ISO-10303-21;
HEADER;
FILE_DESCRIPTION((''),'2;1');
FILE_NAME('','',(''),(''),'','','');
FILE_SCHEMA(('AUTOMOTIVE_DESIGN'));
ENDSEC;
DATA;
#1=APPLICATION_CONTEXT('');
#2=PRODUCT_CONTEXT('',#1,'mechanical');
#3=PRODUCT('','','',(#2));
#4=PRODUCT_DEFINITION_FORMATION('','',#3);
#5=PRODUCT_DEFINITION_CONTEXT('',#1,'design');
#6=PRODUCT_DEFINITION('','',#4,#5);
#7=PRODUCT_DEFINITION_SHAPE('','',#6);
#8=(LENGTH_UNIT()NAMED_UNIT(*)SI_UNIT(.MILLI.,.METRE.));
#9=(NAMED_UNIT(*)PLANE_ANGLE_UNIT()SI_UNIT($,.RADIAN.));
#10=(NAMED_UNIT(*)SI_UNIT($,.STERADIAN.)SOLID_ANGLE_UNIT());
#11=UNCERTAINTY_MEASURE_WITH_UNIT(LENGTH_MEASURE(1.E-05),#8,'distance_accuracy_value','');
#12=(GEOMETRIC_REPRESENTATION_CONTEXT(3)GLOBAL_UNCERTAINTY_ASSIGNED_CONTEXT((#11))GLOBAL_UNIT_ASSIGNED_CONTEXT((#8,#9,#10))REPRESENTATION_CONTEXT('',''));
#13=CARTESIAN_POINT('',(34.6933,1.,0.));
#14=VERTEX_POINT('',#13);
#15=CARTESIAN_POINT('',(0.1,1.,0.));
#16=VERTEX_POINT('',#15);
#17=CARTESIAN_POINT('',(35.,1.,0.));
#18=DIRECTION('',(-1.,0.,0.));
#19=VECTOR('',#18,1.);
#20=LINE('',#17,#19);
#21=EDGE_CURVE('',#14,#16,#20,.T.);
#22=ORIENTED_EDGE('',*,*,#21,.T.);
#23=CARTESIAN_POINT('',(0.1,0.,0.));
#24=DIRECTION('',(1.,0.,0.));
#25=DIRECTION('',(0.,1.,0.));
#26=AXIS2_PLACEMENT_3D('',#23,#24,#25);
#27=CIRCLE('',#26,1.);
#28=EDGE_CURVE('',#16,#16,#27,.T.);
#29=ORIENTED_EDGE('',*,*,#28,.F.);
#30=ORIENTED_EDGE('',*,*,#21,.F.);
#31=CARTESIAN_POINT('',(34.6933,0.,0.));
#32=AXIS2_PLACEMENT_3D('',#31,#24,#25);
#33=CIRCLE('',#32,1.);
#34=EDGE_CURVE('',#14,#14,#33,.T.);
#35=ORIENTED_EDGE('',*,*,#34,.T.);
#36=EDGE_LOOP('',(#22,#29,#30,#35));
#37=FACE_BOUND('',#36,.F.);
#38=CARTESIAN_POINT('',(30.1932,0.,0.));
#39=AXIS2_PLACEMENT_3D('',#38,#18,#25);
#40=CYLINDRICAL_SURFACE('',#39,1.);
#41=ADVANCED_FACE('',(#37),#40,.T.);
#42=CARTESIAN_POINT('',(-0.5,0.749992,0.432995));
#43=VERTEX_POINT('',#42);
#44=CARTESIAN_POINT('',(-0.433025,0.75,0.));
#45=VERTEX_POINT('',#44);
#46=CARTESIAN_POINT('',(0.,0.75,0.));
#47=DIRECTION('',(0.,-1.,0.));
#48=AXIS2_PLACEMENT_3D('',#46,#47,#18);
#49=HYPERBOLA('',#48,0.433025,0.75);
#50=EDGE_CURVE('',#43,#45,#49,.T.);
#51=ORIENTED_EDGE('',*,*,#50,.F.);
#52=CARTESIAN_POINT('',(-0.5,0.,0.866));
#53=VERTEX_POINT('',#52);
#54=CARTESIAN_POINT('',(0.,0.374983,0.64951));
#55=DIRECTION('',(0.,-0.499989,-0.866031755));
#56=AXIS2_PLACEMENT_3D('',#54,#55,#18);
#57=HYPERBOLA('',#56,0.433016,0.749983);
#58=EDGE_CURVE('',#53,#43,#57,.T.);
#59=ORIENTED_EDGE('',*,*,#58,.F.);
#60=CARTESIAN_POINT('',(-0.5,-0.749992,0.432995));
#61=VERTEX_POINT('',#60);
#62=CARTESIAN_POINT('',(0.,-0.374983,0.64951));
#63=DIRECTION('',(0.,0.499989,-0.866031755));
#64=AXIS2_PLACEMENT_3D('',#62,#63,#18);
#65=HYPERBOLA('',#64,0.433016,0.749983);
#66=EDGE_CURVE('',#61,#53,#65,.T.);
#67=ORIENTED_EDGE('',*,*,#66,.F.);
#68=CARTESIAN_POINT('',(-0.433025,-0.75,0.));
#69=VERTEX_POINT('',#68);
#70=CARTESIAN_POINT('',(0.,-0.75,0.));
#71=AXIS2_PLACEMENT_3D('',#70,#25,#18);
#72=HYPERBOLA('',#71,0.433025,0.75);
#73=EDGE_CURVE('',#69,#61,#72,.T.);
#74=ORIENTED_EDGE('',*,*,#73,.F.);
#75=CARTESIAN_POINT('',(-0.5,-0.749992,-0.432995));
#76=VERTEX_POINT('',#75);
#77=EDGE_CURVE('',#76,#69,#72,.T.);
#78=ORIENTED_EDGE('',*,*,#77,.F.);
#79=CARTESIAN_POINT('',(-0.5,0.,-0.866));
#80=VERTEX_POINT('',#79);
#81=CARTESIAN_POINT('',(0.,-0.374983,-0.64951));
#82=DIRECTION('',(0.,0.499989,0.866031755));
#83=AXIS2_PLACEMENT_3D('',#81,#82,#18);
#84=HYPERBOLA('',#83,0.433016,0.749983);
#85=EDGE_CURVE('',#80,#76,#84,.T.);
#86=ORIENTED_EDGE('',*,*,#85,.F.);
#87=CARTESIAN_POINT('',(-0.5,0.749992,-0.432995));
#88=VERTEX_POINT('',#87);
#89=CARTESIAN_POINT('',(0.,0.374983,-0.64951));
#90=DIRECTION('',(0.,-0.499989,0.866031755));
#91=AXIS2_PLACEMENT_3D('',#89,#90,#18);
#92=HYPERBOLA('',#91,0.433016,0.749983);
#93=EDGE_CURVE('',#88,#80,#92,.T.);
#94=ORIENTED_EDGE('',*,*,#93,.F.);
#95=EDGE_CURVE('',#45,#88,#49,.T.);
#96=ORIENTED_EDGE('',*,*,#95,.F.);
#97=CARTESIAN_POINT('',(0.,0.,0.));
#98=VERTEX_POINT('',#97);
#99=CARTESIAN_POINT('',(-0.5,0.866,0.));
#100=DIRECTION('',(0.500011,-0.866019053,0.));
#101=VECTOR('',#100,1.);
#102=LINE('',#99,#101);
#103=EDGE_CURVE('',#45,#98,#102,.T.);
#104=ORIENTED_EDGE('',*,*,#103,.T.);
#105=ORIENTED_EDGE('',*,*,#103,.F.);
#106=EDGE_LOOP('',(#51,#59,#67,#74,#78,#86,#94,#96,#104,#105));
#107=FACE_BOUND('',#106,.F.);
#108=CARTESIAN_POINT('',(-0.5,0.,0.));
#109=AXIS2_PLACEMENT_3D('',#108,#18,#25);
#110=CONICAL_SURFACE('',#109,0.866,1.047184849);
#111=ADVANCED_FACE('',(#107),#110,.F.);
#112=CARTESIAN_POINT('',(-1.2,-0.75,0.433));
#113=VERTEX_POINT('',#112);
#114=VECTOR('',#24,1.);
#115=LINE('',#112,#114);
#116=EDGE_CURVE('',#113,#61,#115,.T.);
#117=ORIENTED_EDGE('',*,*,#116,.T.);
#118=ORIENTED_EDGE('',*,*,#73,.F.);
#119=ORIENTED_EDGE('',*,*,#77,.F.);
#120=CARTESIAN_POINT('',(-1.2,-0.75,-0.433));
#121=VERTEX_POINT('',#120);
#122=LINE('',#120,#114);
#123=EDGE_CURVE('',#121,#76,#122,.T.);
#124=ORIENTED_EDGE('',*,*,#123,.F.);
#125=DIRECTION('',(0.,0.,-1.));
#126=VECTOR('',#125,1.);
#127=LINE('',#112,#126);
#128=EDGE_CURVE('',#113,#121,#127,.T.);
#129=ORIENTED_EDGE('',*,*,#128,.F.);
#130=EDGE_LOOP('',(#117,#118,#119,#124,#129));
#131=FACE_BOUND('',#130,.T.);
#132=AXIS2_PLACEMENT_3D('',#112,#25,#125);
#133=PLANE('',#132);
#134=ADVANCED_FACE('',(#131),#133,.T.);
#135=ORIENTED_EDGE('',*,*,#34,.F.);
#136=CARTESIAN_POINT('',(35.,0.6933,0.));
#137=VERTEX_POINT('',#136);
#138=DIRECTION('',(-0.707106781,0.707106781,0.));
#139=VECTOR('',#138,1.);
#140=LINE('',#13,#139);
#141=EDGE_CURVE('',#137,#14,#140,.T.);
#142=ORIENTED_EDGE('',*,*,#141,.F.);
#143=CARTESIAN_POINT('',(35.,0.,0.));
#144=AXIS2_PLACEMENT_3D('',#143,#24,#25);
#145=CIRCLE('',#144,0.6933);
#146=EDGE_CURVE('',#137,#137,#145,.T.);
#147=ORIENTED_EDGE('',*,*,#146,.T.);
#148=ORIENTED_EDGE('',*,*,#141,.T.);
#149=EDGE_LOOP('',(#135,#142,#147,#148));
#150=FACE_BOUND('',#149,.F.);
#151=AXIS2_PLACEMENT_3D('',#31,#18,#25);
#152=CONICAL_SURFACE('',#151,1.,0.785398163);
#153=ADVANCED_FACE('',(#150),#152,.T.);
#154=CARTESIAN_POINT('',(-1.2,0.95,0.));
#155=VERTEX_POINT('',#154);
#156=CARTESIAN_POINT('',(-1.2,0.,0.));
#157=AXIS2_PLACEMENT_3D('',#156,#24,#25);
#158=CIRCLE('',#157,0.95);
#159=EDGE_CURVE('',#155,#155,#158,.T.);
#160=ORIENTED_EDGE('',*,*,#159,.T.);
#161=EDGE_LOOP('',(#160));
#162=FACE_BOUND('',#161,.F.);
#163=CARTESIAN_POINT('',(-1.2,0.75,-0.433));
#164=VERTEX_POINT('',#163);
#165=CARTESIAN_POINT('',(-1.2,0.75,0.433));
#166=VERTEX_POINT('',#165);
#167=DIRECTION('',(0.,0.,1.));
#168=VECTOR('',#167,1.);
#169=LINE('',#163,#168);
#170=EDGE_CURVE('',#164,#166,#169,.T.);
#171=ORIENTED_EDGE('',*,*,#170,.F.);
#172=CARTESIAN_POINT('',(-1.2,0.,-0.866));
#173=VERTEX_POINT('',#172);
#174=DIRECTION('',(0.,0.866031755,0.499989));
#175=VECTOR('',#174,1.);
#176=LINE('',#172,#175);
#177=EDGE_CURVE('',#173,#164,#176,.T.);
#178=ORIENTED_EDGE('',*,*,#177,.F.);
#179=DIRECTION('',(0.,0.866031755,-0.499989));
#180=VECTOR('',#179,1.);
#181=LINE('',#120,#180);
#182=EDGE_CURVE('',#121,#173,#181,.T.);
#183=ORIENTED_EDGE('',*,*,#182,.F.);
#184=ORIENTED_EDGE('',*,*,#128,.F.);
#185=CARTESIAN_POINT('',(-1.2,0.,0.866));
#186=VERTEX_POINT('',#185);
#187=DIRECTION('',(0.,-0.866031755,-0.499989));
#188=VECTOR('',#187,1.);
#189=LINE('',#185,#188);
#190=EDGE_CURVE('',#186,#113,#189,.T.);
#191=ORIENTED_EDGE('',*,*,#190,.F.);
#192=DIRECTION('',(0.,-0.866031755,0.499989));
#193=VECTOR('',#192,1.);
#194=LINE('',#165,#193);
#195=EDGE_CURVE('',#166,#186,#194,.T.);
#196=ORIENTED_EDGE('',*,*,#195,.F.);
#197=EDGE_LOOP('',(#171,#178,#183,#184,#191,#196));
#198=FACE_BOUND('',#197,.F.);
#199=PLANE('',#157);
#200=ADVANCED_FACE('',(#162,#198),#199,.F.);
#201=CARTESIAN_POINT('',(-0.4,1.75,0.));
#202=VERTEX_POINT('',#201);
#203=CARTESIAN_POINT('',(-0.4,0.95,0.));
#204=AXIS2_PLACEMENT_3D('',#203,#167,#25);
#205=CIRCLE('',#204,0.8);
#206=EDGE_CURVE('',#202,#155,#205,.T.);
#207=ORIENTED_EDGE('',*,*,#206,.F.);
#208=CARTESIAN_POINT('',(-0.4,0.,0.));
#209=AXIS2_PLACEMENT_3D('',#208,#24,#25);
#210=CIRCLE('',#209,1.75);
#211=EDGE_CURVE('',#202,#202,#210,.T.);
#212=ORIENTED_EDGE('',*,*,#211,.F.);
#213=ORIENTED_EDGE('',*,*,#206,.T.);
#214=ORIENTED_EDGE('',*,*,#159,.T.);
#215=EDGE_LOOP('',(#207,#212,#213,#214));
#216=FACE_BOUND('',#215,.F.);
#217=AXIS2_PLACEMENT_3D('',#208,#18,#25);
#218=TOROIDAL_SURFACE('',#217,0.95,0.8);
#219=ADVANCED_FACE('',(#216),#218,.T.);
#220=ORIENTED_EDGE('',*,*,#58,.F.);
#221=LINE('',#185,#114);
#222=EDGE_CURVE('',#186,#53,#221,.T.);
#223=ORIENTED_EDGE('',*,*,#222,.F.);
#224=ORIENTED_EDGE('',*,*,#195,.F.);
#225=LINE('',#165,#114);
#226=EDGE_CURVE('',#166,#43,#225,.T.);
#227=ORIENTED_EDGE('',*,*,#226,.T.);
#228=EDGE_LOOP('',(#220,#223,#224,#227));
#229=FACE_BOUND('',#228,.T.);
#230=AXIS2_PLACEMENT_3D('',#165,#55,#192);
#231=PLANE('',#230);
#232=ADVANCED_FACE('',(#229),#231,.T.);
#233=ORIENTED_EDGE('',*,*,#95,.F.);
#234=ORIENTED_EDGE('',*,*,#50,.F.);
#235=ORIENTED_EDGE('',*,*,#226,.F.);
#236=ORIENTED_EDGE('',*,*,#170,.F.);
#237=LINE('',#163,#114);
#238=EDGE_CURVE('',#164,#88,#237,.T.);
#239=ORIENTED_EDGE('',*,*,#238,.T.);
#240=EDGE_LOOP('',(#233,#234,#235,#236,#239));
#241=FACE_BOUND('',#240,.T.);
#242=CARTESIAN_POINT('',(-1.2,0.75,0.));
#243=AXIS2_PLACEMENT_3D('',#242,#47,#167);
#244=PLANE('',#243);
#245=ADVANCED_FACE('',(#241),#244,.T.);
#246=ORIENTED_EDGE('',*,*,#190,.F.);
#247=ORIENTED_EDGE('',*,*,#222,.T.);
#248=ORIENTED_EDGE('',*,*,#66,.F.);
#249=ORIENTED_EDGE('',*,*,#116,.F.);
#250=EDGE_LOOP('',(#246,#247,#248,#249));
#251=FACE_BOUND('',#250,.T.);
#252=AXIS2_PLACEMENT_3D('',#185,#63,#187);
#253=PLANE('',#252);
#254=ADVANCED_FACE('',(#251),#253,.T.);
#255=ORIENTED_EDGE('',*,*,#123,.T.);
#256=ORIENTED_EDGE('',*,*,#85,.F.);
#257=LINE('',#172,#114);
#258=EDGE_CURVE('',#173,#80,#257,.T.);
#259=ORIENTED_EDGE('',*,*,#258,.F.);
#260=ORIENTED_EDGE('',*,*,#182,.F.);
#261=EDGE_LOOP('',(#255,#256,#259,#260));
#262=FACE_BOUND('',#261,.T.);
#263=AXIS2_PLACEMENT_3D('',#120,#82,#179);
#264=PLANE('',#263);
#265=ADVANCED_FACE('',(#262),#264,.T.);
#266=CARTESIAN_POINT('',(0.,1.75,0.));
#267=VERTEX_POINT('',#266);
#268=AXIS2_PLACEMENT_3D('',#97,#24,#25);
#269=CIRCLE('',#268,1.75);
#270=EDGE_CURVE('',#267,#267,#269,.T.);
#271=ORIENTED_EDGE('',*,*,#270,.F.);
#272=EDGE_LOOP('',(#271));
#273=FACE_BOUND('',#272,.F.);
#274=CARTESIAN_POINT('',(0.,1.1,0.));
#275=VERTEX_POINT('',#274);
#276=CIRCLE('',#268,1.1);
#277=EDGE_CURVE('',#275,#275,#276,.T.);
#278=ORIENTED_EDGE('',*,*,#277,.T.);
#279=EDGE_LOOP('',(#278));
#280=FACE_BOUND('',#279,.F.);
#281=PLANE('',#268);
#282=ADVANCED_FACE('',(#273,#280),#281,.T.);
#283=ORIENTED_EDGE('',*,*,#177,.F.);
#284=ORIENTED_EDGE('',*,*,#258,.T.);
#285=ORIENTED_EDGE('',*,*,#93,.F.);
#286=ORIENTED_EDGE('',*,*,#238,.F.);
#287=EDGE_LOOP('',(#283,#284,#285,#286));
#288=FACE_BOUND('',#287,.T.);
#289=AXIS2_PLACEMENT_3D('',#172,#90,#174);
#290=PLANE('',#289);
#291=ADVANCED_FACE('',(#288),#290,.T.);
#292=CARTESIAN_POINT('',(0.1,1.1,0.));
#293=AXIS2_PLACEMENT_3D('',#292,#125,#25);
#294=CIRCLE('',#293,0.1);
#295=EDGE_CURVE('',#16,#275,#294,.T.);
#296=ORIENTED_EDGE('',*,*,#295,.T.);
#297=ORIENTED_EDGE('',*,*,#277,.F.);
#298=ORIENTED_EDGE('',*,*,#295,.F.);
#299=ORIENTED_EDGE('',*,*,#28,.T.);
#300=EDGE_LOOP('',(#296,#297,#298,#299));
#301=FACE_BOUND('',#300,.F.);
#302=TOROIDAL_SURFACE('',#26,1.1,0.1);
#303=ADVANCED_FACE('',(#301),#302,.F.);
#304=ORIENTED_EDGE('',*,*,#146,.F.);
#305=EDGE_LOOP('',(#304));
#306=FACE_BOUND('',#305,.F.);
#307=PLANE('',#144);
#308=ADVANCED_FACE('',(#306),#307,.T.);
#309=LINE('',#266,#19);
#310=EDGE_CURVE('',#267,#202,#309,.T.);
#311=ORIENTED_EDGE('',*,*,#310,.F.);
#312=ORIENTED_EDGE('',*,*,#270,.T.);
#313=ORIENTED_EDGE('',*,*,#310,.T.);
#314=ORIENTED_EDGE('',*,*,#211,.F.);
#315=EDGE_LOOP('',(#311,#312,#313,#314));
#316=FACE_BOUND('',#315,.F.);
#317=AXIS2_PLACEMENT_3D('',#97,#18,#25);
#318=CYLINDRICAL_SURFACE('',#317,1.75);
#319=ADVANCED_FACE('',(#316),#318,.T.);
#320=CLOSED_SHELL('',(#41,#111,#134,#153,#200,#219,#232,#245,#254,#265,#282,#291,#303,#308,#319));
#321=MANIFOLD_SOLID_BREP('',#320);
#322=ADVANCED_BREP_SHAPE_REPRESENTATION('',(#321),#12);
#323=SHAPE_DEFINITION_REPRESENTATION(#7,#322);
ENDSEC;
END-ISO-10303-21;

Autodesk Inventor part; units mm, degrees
ref_plane "YZ Plane" through (0, 0, 0) normal (1, 0, 0) x (0, 1, 0)
ref_plane "XZ Plane" through (0, 0, 0) normal (0, 1, 0) x (-1, 0, 0)
sketch "Sketch1" plane through (0, 0, 0) normal (0, 0, 1) x (1, 0, 0)
  line L0 (0, 0) -> (35, 0)
  line L1 (35, 0) -> (35, 1)
  line L2 (35, 1) -> (30.5, 1)
  line L3 (30.5, 1) -> (30.1932, 1)
  line L4 (30.1932, 1) -> (0, 1)
  line L5 (0, 1) -> (0, 1.75)
  line L6 (0, 1.75) -> (-1.2, 1.75)
  line L7 (-1.2, 1.75) -> (-1.2, 0.866)
  line L8 (-1.2, 0.866) -> (-0.5, 0.866)
  line L9 (-0.5, 0.866) -> (0, 0)
  line L10 (-8.44, 0) -> (42.24, 0) projected
  line L11 (0, -0.35) -> (0, 2.1) projected
  line L12 (30.5, 1) -> (0, 1) construction
  dimension "d1" = 4.5
  dimension "d2" = 0.3068
  dimension "d3" = 1.2
  dimension "d4" = 0.7
  dimension "d5" = 60
  dimension "d6" = 2
  dimension "d7" = 2
  dimension "d8" = 1.7321
  dimension "d9" = 3.5
  dimension "d26" = 35
revolve "Body" add sketch "Sketch1" angle 360 about axis through (0, 0, 0) along (1, 0, 0)
sketch "Sketch2" plane through (-1.2, 0, 0) normal (-1, 0, 0) x (0, 0, 1)
  circle A0 centre (0, 0) radius 0.866 projected
  line L0 (0, -2.45) -> (0, 2.45) projected
  line L1 (-2.45, 0) -> (2.45, 0) projected
  line L2 (0.866, 0) -> (0.433, -0.75)
  line L3 (0.433, -0.75) -> (-0.433, -0.75)
  line L4 (-0.433, -0.75) -> (-0.866, 0)
  line L5 (-0.866, 0) -> (-0.433, 0.75)
  line L6 (-0.433, 0.75) -> (0.433, 0.75)
  line L7 (0.433, 0.75) -> (0.866, 0)
extrude "Slot" add sketch "Sketch2" against normal up to next contours L7 A0 | A0 L2 | L6 L0 A0 | A0 L0 L3 | L0 L6 A0 | A0 L3 L0 | L4 A0 | A0 L5
fillet "Fillet1" radius 0.8 1 edges at (-1.2, -1.75, 0)
chamfer "Chamfer1" distance 0.3067 distance2 0.3067 1 edges at (35, -1, 0) measured on face at (35, 0.3333, 0.4421)
ref_plane "Work Plane1" through (29, 0, 0) normal (0, -1, 0) x (1, 0, 0)
fillet "Fillet2" radius 0.1 1 edges at (0, -1, 0)
thread "Thread2" size "M2x0.4" class "6g" standard "ANSI Metric M Profile" full length
equation "\"d15\" = -0.5 * SPD + 0.5 * GD"
equation "\"d16\" = GUL"
equation "\"d1\" = GEL"
equation "\"GD\" = NND"
equation "\"NLG\" = 6"
equation "\"GEL\" = 4.5"
equation "\"KOD\" = 5.7"
equation "\"KOH\" = 1.65"
equation "\"INTI\" = 1.04"
equation "\"GAL\" = 0.61345 * PTC"
equation "\"GUL\" = 0.61345 * PTC"
equation "\"BDM\" = NND"
equation "\"SW\" = 2"
equation "\"RR\" = 1.45"
equation "\"SPD\" = NND - 1.2269 * PTC"
equation "\"R\" = 0.3"
equation "\"TOA\" = 30deg"
equation "\"GD1\" = THREADDIA - 1.2269 * PTC"
equation "\"THREADDIA\" = 3"
equation "\"PTC\" = 0.5"
equation "\"NND\" = 3"
equation "\"KOH1\" = 0.2"
equation "\"E0\" = 2.303"
properties part number "ISO 7380-1 - M3 x 6" material "Stainless Steel"
